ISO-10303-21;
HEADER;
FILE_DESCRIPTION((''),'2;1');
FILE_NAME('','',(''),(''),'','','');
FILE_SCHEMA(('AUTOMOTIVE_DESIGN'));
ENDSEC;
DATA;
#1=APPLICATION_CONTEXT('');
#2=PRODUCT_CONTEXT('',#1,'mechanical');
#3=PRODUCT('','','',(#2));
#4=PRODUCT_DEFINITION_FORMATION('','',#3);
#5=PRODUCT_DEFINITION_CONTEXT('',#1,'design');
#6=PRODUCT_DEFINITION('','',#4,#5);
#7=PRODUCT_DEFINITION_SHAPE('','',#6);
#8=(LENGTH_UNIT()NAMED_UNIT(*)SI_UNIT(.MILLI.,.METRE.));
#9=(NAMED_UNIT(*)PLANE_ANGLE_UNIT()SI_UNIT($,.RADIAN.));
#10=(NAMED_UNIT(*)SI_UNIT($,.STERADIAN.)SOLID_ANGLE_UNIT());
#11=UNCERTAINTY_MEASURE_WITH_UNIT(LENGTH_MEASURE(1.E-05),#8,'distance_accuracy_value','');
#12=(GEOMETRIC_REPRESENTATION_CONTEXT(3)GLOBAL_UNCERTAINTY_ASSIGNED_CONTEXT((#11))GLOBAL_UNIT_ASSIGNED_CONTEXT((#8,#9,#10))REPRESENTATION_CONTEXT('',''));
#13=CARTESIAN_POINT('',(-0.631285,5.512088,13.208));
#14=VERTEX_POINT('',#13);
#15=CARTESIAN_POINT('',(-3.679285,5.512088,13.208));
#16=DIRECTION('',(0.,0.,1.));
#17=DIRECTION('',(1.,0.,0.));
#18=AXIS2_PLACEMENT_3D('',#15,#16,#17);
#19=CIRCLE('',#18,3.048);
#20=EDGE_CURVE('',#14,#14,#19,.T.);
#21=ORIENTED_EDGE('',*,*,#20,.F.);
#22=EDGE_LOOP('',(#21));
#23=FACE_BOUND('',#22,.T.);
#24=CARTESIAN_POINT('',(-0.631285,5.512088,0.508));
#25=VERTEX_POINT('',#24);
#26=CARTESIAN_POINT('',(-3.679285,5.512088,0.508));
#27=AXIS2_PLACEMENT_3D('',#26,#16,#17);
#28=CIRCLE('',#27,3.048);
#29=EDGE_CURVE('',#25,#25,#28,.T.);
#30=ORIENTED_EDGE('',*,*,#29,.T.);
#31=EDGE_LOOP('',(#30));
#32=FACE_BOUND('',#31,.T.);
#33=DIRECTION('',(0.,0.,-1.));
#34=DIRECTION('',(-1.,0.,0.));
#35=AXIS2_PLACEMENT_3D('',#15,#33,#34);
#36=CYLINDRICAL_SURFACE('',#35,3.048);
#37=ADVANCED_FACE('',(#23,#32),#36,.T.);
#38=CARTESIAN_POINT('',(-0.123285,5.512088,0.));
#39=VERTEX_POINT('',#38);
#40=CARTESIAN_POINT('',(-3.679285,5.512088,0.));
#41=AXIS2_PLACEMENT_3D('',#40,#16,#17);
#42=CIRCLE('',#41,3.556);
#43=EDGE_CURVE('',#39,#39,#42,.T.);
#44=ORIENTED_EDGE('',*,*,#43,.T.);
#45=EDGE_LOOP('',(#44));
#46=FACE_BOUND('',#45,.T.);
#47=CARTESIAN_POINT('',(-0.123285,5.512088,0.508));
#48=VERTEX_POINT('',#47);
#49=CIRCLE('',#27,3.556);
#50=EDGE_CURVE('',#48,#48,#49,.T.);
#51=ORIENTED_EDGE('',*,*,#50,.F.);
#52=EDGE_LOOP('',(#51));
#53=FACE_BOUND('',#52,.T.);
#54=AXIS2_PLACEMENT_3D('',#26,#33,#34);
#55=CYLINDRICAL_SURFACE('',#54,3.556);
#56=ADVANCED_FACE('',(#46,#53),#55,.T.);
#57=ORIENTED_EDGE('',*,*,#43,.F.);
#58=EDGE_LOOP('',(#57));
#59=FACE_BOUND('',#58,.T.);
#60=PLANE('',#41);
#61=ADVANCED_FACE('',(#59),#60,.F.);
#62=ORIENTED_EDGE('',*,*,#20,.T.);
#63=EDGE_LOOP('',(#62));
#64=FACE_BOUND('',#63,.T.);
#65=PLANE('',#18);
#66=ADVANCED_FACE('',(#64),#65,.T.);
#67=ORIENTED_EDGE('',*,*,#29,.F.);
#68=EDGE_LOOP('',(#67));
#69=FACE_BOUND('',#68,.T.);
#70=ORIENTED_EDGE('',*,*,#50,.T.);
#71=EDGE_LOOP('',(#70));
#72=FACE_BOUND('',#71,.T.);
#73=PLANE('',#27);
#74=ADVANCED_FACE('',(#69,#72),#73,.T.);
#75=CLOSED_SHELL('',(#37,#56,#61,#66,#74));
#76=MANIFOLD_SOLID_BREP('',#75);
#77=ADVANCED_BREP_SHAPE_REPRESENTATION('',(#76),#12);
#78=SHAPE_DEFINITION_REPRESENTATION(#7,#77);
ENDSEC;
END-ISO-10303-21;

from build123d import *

# Parameters (mm, degrees)
SKETCH1_R           = 3.556
BOSS_EXTRUDE1_DEPTH = 0.508
SKETCH4_R           = 3.048
BOSS_EXTRUDE2_DEPTH = 12.7


with BuildPart() as part:
    # Sketch1 → Boss-Extrude1 (new body)
    with BuildSketch(Plane.XY):
        with Locations((-3.679284689, 5.512088214)):
            Circle(SKETCH1_R)
    extrude(amount=BOSS_EXTRUDE1_DEPTH)

    # Sketch4 → Boss-Extrude2 (add)
    with BuildSketch(Plane.XY.offset(0.508)):
        with Locations((-3.679284689, 5.512088214)):
            Circle(SKETCH4_R)
    extrude(amount=BOSS_EXTRUDE2_DEPTH)


solid = part.part
